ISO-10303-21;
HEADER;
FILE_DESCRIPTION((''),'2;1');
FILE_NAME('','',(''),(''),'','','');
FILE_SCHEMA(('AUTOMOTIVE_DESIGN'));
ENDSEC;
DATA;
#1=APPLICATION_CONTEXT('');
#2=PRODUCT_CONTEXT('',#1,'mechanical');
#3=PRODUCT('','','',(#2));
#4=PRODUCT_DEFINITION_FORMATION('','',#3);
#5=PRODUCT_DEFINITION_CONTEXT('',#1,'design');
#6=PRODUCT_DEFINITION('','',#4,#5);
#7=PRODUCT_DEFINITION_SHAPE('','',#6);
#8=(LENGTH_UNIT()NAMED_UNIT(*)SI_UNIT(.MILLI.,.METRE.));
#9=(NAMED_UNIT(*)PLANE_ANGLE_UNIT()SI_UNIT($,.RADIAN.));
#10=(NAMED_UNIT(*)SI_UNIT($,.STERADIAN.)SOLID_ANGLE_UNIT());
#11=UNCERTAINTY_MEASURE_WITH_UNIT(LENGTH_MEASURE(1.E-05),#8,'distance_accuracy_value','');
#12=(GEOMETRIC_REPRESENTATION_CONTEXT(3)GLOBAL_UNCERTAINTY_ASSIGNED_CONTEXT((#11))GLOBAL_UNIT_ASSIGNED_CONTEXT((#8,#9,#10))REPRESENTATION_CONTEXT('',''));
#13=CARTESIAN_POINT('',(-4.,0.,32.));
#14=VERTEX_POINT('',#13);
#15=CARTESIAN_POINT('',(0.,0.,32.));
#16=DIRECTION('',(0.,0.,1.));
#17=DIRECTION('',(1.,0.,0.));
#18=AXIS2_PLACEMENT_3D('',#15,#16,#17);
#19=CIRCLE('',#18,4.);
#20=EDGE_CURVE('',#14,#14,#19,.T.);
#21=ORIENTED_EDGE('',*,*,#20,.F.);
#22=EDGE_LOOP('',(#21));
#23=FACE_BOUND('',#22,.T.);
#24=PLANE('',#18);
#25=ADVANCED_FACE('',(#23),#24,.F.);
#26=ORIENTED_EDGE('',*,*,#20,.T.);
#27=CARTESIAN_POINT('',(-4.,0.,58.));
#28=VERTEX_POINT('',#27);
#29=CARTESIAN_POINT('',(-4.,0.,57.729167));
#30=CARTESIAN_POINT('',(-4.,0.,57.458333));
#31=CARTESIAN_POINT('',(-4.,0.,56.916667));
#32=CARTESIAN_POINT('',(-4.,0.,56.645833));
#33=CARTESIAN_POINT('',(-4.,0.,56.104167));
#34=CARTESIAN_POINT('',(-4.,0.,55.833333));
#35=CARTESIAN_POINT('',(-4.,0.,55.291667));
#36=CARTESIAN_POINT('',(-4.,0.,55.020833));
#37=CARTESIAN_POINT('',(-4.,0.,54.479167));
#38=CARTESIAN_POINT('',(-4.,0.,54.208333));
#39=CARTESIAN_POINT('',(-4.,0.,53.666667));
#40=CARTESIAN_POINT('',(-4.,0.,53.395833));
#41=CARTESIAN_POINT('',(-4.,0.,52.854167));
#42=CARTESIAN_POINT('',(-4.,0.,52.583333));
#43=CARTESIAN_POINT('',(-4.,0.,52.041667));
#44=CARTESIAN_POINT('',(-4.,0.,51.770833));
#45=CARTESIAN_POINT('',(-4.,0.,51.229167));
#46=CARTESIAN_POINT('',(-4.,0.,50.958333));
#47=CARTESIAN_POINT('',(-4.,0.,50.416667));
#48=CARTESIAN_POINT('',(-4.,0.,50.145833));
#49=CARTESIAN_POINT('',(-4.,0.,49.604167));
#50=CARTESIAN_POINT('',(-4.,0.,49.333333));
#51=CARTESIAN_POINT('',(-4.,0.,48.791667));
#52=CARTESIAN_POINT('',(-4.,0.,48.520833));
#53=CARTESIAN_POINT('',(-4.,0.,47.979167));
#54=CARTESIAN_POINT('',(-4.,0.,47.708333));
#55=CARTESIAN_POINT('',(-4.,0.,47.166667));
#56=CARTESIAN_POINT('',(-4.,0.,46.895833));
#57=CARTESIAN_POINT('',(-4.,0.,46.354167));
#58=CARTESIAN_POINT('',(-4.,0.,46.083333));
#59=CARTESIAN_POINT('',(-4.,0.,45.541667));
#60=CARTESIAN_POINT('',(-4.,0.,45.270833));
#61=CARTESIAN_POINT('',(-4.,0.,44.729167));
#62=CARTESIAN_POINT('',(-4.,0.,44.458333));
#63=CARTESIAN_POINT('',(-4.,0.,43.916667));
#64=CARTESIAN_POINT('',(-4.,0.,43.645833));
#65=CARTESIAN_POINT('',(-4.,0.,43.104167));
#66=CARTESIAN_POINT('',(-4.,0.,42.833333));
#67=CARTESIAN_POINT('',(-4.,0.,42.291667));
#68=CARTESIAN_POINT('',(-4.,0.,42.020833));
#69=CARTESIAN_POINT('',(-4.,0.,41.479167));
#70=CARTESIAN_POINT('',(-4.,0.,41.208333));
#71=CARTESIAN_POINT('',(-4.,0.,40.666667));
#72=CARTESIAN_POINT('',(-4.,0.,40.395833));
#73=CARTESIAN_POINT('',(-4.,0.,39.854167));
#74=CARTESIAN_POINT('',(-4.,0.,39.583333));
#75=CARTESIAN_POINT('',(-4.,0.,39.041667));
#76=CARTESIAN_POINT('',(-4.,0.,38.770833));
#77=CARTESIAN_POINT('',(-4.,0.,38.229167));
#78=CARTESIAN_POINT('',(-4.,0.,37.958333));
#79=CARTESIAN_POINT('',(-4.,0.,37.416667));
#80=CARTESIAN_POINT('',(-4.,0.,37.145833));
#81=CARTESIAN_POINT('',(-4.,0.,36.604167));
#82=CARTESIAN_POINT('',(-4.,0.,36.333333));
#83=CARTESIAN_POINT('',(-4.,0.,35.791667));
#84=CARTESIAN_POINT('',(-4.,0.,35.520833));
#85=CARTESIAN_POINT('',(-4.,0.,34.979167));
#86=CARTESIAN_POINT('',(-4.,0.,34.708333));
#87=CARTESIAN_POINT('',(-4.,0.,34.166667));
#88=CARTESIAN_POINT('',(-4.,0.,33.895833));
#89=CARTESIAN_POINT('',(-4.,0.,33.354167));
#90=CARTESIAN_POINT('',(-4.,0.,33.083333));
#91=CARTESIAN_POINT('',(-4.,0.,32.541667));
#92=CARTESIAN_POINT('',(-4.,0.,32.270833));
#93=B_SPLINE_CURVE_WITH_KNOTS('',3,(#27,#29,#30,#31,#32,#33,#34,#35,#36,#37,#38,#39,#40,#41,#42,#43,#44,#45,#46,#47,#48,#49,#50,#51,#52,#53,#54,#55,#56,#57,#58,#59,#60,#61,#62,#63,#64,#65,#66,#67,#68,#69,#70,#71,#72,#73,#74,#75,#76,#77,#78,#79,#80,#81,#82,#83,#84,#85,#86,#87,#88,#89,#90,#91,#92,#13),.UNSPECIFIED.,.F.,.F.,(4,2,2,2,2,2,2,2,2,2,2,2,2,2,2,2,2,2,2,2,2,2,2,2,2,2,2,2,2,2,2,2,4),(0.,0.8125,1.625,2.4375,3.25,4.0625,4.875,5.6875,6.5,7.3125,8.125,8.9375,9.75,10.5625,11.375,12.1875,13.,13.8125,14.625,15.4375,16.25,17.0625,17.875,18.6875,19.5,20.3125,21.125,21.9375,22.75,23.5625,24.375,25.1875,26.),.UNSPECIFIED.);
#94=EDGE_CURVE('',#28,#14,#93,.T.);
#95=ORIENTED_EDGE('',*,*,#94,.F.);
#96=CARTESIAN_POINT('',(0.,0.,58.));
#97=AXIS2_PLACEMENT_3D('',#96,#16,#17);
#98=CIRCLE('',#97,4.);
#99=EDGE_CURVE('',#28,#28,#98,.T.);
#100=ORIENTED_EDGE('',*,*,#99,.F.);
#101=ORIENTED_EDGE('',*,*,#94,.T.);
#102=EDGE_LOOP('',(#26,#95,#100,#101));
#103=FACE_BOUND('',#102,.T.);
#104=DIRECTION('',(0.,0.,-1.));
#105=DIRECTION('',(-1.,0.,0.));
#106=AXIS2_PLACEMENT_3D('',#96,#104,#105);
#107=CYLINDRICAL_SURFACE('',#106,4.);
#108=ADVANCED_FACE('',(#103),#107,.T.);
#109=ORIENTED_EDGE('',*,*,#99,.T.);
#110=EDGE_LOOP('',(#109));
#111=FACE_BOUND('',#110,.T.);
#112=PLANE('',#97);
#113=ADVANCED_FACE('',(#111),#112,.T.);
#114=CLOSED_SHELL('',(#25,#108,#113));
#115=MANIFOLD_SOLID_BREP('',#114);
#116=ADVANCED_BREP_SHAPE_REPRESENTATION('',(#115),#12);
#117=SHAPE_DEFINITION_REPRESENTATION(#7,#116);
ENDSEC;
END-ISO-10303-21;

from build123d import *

# Parameters (mm, degrees)
PLANET_PIN_START = 32
SKETCH_1_R       = 4
PLANET_PIN_DEPTH = 26


with BuildPart() as part:
    # Эскиз1 → Planet_pin (new body)
    with BuildSketch(Plane.XY.offset(PLANET_PIN_START)):
        with Locations(Location((0, 0, 0), (0, 0, 180))):
            Circle(SKETCH_1_R)
    extrude(amount=PLANET_PIN_DEPTH)


solid = part.part
